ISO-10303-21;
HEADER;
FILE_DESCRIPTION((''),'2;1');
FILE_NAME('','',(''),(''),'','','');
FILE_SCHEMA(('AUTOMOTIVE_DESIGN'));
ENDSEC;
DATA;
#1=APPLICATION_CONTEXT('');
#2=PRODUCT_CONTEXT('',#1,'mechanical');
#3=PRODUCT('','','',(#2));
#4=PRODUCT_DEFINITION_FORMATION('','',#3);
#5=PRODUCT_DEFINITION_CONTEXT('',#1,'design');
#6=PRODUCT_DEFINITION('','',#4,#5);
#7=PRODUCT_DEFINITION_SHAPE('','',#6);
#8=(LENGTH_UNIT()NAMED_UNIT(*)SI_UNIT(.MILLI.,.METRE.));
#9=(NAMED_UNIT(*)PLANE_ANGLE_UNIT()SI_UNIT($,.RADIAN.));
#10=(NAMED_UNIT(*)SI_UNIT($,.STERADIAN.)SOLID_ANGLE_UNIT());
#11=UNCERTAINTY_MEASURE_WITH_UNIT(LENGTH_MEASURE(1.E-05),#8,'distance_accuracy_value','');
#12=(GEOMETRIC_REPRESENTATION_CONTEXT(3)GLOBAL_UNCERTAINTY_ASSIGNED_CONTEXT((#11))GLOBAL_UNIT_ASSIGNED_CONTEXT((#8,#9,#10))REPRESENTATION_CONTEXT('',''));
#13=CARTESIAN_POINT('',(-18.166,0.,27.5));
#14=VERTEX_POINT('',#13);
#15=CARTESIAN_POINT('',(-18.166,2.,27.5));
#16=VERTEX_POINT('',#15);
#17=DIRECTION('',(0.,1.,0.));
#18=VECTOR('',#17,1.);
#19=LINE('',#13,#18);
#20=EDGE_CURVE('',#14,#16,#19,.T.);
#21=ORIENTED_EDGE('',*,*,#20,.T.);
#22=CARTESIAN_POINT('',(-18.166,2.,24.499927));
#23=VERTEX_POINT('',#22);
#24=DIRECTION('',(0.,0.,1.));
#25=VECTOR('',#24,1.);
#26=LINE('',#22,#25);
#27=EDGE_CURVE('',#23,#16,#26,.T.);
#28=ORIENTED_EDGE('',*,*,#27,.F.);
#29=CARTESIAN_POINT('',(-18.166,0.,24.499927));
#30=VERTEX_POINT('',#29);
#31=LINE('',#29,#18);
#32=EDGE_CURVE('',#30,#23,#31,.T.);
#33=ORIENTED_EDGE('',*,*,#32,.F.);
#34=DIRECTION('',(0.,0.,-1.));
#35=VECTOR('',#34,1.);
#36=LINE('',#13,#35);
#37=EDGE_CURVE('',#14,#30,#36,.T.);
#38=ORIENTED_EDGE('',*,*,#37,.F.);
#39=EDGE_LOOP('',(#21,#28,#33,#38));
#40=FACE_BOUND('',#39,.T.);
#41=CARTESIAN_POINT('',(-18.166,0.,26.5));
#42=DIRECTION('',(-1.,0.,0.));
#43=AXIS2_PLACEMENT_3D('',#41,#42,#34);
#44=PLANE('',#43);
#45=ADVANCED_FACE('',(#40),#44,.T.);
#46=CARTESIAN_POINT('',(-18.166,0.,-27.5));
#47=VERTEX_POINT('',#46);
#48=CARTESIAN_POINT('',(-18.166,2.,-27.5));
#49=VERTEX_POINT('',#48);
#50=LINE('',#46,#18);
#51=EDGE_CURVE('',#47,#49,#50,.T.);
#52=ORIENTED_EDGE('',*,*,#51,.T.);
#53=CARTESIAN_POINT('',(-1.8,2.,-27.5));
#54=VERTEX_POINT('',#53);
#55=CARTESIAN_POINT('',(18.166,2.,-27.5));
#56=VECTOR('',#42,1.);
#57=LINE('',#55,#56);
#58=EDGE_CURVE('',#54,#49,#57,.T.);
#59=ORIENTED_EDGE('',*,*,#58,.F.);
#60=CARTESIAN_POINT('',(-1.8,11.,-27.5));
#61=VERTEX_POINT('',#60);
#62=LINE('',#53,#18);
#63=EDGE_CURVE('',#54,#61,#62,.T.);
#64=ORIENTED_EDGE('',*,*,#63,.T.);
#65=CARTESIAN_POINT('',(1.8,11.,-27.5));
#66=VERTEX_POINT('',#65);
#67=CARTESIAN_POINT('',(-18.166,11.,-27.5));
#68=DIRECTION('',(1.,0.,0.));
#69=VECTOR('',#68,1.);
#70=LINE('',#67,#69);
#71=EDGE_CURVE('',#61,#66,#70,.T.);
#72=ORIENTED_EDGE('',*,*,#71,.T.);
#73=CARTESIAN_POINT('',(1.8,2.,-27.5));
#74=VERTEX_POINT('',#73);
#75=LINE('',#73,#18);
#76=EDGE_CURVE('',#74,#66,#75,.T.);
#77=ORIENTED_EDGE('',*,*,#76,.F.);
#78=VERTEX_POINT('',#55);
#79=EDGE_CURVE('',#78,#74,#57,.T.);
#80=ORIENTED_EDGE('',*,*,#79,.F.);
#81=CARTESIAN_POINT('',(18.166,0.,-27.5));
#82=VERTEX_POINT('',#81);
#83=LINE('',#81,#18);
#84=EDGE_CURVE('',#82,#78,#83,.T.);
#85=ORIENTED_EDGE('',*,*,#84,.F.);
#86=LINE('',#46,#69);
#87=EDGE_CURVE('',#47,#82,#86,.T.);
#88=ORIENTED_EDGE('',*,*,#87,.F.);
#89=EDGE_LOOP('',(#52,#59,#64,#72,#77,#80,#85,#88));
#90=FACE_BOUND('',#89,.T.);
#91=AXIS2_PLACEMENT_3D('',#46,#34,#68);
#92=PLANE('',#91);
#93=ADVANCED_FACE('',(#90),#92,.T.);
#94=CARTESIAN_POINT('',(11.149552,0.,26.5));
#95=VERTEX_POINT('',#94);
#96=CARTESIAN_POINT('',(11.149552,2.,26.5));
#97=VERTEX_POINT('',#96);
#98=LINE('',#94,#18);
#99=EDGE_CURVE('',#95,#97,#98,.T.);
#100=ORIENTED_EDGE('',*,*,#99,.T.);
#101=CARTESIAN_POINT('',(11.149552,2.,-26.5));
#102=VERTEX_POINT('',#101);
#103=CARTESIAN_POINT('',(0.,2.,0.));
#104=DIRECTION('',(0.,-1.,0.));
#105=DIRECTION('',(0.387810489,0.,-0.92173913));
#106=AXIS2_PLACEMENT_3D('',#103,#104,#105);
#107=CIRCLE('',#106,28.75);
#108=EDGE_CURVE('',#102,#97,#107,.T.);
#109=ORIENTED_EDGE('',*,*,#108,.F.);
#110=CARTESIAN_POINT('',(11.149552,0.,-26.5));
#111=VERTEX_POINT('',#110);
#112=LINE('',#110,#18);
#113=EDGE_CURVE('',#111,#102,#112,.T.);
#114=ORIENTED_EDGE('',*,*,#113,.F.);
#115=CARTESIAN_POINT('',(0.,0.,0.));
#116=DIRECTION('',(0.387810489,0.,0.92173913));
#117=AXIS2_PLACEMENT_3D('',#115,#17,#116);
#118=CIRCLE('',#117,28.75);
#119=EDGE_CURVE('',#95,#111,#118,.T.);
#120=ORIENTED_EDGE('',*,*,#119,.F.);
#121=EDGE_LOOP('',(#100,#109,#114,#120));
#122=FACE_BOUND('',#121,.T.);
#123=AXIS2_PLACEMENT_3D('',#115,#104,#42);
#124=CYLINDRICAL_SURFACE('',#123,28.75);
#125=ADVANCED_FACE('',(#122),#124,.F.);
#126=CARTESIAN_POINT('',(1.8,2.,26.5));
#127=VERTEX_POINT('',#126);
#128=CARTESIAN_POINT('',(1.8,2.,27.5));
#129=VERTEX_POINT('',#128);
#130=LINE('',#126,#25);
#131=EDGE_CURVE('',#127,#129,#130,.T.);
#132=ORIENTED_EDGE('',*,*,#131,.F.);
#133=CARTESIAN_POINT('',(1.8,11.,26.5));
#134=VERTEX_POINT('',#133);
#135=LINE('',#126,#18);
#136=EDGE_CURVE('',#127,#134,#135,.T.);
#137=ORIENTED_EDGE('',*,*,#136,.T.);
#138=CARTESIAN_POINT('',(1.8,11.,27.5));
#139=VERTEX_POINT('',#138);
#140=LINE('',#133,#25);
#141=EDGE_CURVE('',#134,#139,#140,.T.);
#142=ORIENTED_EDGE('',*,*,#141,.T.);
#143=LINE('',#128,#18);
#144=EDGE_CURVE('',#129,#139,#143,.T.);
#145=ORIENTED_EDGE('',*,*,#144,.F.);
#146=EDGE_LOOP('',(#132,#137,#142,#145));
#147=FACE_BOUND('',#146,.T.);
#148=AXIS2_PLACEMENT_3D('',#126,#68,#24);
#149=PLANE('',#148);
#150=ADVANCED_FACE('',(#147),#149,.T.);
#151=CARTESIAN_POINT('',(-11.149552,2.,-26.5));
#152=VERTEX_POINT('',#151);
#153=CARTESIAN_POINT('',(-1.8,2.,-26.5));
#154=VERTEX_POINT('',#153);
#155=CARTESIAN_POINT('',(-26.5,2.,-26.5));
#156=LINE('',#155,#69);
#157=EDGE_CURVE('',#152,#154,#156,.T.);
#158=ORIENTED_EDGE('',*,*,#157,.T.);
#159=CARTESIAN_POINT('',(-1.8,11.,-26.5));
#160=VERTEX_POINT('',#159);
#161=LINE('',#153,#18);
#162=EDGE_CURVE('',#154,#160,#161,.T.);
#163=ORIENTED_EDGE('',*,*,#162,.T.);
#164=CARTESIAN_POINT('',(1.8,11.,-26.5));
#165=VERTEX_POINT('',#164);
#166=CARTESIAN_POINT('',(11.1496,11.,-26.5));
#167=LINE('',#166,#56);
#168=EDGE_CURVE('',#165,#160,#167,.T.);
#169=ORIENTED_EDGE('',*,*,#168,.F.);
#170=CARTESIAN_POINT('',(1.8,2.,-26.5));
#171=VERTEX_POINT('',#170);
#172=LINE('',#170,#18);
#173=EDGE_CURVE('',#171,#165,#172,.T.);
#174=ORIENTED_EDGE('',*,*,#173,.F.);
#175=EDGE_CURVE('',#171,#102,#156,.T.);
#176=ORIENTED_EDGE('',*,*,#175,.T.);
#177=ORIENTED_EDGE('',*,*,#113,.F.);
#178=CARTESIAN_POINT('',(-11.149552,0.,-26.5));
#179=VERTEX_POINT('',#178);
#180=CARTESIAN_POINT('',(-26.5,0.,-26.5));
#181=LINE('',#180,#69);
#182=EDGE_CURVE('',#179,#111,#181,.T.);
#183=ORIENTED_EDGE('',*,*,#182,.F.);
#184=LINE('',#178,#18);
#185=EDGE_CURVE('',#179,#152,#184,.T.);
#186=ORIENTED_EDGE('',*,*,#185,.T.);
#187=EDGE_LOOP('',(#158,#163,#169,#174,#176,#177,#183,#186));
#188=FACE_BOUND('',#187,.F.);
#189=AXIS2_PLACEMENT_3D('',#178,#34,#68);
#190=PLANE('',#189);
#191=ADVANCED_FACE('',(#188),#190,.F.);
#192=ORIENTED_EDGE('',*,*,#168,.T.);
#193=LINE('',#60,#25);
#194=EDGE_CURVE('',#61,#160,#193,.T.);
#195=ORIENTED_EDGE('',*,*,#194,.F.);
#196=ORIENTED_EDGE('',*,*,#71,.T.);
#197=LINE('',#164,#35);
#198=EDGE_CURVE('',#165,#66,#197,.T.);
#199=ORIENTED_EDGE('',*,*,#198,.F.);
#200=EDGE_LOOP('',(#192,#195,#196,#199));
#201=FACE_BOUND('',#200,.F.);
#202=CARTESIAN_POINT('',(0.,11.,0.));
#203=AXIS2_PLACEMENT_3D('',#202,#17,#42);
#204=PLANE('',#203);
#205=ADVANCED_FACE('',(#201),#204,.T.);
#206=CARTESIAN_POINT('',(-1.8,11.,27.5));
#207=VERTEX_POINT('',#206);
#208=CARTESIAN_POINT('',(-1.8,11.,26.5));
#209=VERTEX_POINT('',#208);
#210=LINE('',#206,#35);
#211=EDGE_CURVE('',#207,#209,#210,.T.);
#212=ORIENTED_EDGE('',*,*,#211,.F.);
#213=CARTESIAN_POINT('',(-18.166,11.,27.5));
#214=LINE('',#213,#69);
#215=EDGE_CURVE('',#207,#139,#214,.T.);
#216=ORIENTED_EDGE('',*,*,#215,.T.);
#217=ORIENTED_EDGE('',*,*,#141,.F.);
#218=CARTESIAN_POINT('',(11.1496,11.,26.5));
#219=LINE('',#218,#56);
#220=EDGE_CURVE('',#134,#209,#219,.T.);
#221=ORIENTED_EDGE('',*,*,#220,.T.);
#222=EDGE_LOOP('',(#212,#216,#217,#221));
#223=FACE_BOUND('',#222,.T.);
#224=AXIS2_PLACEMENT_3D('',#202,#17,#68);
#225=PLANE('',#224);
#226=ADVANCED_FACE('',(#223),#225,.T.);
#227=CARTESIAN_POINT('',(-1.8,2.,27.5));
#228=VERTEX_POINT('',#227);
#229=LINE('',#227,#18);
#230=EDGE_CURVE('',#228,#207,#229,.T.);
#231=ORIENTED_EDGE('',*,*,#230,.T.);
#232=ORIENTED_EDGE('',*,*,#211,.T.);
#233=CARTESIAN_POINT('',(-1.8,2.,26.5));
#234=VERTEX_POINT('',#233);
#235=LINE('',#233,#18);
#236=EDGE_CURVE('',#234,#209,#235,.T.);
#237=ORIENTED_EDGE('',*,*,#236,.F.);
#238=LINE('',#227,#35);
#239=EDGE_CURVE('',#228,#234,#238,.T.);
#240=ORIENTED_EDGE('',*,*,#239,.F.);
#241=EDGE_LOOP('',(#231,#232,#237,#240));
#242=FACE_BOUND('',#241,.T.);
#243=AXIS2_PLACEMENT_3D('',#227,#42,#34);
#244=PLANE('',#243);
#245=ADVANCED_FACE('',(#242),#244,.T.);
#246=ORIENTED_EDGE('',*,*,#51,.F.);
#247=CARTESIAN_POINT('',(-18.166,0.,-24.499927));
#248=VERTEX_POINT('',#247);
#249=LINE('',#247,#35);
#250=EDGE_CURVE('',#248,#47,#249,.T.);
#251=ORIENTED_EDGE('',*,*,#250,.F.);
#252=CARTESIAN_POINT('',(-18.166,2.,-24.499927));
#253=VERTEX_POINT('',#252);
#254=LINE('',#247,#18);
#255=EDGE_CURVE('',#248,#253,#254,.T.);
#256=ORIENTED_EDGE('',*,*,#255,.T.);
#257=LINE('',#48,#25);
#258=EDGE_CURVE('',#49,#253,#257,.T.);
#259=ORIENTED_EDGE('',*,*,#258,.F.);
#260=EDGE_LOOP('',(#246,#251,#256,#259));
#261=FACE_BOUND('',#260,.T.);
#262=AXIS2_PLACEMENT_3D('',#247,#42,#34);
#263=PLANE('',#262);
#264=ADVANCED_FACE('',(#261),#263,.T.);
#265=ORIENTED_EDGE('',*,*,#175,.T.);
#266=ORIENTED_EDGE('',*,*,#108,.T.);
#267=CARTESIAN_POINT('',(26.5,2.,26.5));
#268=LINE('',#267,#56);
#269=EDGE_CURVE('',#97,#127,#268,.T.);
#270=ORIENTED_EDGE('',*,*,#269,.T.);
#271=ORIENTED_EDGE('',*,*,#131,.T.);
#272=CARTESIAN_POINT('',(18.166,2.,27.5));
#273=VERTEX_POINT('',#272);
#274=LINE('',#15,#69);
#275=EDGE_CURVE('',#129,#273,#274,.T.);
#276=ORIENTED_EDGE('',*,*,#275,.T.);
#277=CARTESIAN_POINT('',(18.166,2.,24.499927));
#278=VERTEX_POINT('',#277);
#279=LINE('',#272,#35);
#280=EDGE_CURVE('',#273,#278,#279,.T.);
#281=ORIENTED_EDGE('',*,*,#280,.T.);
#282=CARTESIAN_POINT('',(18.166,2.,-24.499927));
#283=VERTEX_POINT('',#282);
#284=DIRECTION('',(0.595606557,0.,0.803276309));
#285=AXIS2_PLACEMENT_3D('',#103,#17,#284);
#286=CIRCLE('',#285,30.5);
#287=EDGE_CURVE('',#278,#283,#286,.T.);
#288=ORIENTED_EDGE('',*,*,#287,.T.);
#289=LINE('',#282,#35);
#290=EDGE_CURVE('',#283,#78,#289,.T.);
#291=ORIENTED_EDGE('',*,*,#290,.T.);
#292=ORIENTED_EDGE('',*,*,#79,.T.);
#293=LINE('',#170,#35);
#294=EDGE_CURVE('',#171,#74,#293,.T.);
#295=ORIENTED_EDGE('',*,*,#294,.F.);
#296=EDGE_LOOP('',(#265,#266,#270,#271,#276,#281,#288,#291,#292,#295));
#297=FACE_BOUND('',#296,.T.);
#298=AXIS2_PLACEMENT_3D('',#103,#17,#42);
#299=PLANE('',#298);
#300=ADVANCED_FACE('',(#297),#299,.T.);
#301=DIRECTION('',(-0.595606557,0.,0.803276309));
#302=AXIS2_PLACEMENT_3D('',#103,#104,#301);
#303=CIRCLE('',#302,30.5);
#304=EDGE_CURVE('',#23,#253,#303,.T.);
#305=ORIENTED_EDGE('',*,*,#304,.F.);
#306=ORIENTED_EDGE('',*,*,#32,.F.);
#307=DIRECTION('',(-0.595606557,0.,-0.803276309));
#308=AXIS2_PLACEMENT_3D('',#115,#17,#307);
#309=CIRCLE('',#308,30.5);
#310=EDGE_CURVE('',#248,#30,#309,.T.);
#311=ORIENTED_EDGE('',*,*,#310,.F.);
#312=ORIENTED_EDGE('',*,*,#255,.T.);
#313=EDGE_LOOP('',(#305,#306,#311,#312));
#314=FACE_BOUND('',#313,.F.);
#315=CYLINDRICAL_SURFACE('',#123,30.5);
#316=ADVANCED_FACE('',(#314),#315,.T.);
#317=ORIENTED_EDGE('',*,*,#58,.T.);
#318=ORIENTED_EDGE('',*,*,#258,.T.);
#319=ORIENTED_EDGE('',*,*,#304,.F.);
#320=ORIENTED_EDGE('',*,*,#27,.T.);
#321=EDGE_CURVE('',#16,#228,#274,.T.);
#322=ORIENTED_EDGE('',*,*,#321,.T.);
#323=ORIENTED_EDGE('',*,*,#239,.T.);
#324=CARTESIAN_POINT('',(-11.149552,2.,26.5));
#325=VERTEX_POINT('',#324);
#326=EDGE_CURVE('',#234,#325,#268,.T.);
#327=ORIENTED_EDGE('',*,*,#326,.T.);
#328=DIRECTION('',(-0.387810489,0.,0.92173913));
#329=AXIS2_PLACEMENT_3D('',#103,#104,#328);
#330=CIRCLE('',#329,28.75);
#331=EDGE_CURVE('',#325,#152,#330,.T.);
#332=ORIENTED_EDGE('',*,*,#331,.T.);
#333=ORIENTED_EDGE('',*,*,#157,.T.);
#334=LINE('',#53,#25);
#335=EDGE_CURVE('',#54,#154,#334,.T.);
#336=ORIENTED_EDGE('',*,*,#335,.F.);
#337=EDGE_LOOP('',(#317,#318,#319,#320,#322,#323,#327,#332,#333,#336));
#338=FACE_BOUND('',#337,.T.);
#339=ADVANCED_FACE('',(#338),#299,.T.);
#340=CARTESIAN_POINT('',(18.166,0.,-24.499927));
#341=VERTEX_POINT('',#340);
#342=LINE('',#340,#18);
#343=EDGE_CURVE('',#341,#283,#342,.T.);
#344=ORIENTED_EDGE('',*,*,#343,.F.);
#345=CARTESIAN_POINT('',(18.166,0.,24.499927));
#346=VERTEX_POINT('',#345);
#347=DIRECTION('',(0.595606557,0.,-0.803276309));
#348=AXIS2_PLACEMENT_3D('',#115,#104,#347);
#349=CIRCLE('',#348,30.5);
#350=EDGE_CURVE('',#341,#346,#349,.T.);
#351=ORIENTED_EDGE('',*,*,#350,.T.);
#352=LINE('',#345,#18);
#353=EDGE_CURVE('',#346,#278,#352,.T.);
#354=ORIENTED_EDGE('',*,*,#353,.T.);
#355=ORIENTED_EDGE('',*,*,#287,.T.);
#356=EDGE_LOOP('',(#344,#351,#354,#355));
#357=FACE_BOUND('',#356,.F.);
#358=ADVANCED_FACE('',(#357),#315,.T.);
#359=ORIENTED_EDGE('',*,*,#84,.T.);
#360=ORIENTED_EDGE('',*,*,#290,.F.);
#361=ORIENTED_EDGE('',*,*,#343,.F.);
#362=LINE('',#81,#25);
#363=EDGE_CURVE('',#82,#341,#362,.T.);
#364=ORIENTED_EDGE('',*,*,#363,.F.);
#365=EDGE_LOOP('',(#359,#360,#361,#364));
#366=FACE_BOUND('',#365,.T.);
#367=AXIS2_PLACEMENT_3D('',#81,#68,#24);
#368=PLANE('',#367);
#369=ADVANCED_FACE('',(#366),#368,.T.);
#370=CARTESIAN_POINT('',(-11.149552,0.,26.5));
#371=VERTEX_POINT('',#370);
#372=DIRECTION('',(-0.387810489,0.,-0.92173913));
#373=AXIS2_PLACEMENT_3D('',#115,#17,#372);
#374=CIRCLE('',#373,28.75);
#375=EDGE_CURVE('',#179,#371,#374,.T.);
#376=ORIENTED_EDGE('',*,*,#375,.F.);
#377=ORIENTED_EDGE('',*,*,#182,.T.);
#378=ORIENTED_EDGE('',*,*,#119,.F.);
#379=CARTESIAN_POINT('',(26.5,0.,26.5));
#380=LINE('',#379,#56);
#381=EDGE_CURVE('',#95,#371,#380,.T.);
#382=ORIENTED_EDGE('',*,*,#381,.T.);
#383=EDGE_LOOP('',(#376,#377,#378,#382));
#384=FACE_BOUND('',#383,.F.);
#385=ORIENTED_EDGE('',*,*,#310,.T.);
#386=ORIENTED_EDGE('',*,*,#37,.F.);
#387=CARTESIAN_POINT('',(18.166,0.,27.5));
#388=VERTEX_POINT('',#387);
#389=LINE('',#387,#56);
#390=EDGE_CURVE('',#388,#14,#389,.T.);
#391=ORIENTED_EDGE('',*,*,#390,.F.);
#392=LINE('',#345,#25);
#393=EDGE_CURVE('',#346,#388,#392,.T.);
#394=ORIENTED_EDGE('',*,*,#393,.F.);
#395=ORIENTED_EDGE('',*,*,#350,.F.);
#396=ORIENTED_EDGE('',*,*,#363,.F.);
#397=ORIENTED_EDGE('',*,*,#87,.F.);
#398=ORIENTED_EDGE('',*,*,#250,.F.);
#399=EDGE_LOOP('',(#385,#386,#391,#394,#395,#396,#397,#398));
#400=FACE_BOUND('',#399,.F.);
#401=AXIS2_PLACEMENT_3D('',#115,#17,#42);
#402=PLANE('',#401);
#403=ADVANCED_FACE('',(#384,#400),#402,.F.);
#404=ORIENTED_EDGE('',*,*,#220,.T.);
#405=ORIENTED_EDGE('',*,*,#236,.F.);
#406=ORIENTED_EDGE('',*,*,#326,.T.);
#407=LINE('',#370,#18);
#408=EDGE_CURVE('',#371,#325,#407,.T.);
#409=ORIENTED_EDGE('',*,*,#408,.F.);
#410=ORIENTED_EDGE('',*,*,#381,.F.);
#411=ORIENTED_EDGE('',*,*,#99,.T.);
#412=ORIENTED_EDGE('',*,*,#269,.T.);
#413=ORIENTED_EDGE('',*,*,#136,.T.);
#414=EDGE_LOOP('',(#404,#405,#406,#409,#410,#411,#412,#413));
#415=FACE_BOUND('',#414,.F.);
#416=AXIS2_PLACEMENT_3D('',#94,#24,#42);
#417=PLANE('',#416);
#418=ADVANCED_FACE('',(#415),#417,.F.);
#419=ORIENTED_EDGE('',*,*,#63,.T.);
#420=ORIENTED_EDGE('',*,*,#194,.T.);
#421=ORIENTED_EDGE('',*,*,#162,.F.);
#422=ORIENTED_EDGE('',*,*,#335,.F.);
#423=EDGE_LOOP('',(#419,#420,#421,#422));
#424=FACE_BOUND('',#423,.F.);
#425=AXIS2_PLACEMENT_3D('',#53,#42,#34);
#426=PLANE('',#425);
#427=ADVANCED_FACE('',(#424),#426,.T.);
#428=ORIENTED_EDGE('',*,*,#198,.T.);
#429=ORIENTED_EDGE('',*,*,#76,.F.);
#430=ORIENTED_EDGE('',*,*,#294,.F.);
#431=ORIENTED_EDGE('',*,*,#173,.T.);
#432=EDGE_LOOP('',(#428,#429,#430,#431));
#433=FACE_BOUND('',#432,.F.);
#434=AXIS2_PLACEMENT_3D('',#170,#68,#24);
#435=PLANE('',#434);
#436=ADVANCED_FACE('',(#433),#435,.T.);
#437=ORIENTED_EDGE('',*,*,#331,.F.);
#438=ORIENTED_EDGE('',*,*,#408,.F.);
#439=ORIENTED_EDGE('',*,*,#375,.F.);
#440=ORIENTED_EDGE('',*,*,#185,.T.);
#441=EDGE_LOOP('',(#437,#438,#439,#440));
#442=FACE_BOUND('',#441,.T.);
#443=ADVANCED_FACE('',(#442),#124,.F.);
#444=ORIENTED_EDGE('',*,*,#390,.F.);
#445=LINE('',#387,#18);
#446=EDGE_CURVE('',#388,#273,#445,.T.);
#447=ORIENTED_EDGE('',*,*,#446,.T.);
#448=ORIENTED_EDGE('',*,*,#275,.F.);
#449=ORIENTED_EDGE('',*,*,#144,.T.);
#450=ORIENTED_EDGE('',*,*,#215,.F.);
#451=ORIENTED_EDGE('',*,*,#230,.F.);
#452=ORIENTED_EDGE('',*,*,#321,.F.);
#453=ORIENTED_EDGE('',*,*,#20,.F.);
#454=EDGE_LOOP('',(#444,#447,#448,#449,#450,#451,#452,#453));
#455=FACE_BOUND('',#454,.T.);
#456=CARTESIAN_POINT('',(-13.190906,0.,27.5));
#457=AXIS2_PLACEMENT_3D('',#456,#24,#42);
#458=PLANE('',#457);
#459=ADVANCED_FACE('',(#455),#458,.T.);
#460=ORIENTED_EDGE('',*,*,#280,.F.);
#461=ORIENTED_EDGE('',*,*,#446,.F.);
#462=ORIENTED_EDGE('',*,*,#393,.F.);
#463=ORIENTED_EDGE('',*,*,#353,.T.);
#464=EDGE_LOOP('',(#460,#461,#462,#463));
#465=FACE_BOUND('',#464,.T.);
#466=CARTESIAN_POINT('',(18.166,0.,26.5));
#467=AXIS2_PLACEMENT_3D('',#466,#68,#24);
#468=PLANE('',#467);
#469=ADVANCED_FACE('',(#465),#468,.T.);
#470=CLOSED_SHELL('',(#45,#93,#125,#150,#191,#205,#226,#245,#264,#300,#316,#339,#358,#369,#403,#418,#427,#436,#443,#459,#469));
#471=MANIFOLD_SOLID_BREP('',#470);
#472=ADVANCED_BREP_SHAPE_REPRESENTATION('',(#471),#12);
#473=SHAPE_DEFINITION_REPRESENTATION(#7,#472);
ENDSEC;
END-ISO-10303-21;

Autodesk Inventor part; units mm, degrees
ref_plane "YZ Plane" through (0, 0, 0) normal (1, 0, 0) x (0, 1, 0)
ref_plane "XZ Plane" through (0, 0, 0) normal (0, 1, 0) x (-1, 0, 0)
ref_plane "XY Plane" through (0, 0, 0) normal (0, 0, 1) x (1, 0, 0)
sketch "Sketch1" plane through (0, 0, 0) normal (0, 1, 0) x (-1, 0, 0)
  circle A0 centre (0, 0) radius 30.5
  circle A1 centre (0, 0) radius 28.75
  line L0 (18.166, -27.5) -> (-18.166, -27.5)
  line L1 (-18.166, -27.5) -> (-18.166, 27.5)
  line L2 (-18.166, 27.5) -> (18.166, 27.5)
  line L3 (18.166, 27.5) -> (18.166, -27.5)
  line L4 (18.166, -27.5) -> (-18.166, 27.5) construction
  line L5 (-18.166, -27.5) -> (18.166, 27.5) construction
  line L6 (26.5, -26.5) -> (-26.5, -26.5)
  line L7 (-26.5, -26.5) -> (-26.5, 26.5)
  line L8 (-26.5, 26.5) -> (26.5, 26.5)
  line L9 (26.5, 26.5) -> (26.5, -26.5)
  line L10 (26.5, -26.5) -> (-26.5, 26.5) construction
  line L11 (-26.5, -26.5) -> (26.5, 26.5) construction
  point P0 (11.1496, -26.5)
  point P1 (-11.1496, -26.5)
  point P2 (-11.1496, 26.5)
  point P3 (11.1496, 26.5)
  point P4 (18.166, -24.4999)
  point P5 (18.166, 24.4999)
  point P6 (-18.166, 24.4999)
  point P7 (-18.166, -24.4999)
  dimension "d0" = 61
  dimension "d1" = 1.75
  dimension "d4" = 36.332
  dimension "d5" = 55
  dimension "d6" = 53
  dimension "d7" = 53
extrude "Extrusion1" add sketch "Sketch1" along normal blind 2 contours A0 L9 A1 | L9 A1 L3 A0 | A0 L3 A1 L9 | L3 A1 L8 A0 | A0 L8 L3 | L3 L6 A0 | A0 L6 A1 L3 | L8 A1 L2 A0 | A0 L2 L3 L8 | L6 L3 L0 A0 | A0 L0 A1 L6 | L8 A1 L2 | A1 L0 L6 | L2 A1 L8 A0 | A0 L8 L1 L2 | A1 L1 A0 L8 | L0 L1 L6 A0 | A0 L6 A1 L0 | L6 A0 L1 A1 | A0 L1 L8 | A1 L7 A0 L1 | L6 L1 A0 | L1 A0 L7 A1 | A1 L7 A0
sketch "Sketch2" plane through (0, 2, 0) normal (0, 1, 0) x (1, 0, 0)
  line L0 (-18.166, -27.5) -> (18.166, -27.5) projected
  line L1 (11.1496, -26.5) -> (-11.1496, -26.5) projected
  line L2 (1.8, -27.5) -> (-1.8, -27.5)
  line L3 (-1.8, -27.5) -> (-1.8, -26.5)
  line L4 (-1.8, -26.5) -> (1.8, -26.5)
  line L5 (1.8, -26.5) -> (1.8, -27.5)
  point P0 (0, 0)
  point P1 (0, -26.5)
  point P2 (1.8, -27)
  dimension "d8" = 3.6
  dimension "d9" = 1.8
extrude "Extrusion2" add sketch "Sketch2" along normal blind 9
mirror "Mirror1" about plane through (0, 0, 0) normal (0, 0, 1) of "Extrusion2"
properties part number "cir"
